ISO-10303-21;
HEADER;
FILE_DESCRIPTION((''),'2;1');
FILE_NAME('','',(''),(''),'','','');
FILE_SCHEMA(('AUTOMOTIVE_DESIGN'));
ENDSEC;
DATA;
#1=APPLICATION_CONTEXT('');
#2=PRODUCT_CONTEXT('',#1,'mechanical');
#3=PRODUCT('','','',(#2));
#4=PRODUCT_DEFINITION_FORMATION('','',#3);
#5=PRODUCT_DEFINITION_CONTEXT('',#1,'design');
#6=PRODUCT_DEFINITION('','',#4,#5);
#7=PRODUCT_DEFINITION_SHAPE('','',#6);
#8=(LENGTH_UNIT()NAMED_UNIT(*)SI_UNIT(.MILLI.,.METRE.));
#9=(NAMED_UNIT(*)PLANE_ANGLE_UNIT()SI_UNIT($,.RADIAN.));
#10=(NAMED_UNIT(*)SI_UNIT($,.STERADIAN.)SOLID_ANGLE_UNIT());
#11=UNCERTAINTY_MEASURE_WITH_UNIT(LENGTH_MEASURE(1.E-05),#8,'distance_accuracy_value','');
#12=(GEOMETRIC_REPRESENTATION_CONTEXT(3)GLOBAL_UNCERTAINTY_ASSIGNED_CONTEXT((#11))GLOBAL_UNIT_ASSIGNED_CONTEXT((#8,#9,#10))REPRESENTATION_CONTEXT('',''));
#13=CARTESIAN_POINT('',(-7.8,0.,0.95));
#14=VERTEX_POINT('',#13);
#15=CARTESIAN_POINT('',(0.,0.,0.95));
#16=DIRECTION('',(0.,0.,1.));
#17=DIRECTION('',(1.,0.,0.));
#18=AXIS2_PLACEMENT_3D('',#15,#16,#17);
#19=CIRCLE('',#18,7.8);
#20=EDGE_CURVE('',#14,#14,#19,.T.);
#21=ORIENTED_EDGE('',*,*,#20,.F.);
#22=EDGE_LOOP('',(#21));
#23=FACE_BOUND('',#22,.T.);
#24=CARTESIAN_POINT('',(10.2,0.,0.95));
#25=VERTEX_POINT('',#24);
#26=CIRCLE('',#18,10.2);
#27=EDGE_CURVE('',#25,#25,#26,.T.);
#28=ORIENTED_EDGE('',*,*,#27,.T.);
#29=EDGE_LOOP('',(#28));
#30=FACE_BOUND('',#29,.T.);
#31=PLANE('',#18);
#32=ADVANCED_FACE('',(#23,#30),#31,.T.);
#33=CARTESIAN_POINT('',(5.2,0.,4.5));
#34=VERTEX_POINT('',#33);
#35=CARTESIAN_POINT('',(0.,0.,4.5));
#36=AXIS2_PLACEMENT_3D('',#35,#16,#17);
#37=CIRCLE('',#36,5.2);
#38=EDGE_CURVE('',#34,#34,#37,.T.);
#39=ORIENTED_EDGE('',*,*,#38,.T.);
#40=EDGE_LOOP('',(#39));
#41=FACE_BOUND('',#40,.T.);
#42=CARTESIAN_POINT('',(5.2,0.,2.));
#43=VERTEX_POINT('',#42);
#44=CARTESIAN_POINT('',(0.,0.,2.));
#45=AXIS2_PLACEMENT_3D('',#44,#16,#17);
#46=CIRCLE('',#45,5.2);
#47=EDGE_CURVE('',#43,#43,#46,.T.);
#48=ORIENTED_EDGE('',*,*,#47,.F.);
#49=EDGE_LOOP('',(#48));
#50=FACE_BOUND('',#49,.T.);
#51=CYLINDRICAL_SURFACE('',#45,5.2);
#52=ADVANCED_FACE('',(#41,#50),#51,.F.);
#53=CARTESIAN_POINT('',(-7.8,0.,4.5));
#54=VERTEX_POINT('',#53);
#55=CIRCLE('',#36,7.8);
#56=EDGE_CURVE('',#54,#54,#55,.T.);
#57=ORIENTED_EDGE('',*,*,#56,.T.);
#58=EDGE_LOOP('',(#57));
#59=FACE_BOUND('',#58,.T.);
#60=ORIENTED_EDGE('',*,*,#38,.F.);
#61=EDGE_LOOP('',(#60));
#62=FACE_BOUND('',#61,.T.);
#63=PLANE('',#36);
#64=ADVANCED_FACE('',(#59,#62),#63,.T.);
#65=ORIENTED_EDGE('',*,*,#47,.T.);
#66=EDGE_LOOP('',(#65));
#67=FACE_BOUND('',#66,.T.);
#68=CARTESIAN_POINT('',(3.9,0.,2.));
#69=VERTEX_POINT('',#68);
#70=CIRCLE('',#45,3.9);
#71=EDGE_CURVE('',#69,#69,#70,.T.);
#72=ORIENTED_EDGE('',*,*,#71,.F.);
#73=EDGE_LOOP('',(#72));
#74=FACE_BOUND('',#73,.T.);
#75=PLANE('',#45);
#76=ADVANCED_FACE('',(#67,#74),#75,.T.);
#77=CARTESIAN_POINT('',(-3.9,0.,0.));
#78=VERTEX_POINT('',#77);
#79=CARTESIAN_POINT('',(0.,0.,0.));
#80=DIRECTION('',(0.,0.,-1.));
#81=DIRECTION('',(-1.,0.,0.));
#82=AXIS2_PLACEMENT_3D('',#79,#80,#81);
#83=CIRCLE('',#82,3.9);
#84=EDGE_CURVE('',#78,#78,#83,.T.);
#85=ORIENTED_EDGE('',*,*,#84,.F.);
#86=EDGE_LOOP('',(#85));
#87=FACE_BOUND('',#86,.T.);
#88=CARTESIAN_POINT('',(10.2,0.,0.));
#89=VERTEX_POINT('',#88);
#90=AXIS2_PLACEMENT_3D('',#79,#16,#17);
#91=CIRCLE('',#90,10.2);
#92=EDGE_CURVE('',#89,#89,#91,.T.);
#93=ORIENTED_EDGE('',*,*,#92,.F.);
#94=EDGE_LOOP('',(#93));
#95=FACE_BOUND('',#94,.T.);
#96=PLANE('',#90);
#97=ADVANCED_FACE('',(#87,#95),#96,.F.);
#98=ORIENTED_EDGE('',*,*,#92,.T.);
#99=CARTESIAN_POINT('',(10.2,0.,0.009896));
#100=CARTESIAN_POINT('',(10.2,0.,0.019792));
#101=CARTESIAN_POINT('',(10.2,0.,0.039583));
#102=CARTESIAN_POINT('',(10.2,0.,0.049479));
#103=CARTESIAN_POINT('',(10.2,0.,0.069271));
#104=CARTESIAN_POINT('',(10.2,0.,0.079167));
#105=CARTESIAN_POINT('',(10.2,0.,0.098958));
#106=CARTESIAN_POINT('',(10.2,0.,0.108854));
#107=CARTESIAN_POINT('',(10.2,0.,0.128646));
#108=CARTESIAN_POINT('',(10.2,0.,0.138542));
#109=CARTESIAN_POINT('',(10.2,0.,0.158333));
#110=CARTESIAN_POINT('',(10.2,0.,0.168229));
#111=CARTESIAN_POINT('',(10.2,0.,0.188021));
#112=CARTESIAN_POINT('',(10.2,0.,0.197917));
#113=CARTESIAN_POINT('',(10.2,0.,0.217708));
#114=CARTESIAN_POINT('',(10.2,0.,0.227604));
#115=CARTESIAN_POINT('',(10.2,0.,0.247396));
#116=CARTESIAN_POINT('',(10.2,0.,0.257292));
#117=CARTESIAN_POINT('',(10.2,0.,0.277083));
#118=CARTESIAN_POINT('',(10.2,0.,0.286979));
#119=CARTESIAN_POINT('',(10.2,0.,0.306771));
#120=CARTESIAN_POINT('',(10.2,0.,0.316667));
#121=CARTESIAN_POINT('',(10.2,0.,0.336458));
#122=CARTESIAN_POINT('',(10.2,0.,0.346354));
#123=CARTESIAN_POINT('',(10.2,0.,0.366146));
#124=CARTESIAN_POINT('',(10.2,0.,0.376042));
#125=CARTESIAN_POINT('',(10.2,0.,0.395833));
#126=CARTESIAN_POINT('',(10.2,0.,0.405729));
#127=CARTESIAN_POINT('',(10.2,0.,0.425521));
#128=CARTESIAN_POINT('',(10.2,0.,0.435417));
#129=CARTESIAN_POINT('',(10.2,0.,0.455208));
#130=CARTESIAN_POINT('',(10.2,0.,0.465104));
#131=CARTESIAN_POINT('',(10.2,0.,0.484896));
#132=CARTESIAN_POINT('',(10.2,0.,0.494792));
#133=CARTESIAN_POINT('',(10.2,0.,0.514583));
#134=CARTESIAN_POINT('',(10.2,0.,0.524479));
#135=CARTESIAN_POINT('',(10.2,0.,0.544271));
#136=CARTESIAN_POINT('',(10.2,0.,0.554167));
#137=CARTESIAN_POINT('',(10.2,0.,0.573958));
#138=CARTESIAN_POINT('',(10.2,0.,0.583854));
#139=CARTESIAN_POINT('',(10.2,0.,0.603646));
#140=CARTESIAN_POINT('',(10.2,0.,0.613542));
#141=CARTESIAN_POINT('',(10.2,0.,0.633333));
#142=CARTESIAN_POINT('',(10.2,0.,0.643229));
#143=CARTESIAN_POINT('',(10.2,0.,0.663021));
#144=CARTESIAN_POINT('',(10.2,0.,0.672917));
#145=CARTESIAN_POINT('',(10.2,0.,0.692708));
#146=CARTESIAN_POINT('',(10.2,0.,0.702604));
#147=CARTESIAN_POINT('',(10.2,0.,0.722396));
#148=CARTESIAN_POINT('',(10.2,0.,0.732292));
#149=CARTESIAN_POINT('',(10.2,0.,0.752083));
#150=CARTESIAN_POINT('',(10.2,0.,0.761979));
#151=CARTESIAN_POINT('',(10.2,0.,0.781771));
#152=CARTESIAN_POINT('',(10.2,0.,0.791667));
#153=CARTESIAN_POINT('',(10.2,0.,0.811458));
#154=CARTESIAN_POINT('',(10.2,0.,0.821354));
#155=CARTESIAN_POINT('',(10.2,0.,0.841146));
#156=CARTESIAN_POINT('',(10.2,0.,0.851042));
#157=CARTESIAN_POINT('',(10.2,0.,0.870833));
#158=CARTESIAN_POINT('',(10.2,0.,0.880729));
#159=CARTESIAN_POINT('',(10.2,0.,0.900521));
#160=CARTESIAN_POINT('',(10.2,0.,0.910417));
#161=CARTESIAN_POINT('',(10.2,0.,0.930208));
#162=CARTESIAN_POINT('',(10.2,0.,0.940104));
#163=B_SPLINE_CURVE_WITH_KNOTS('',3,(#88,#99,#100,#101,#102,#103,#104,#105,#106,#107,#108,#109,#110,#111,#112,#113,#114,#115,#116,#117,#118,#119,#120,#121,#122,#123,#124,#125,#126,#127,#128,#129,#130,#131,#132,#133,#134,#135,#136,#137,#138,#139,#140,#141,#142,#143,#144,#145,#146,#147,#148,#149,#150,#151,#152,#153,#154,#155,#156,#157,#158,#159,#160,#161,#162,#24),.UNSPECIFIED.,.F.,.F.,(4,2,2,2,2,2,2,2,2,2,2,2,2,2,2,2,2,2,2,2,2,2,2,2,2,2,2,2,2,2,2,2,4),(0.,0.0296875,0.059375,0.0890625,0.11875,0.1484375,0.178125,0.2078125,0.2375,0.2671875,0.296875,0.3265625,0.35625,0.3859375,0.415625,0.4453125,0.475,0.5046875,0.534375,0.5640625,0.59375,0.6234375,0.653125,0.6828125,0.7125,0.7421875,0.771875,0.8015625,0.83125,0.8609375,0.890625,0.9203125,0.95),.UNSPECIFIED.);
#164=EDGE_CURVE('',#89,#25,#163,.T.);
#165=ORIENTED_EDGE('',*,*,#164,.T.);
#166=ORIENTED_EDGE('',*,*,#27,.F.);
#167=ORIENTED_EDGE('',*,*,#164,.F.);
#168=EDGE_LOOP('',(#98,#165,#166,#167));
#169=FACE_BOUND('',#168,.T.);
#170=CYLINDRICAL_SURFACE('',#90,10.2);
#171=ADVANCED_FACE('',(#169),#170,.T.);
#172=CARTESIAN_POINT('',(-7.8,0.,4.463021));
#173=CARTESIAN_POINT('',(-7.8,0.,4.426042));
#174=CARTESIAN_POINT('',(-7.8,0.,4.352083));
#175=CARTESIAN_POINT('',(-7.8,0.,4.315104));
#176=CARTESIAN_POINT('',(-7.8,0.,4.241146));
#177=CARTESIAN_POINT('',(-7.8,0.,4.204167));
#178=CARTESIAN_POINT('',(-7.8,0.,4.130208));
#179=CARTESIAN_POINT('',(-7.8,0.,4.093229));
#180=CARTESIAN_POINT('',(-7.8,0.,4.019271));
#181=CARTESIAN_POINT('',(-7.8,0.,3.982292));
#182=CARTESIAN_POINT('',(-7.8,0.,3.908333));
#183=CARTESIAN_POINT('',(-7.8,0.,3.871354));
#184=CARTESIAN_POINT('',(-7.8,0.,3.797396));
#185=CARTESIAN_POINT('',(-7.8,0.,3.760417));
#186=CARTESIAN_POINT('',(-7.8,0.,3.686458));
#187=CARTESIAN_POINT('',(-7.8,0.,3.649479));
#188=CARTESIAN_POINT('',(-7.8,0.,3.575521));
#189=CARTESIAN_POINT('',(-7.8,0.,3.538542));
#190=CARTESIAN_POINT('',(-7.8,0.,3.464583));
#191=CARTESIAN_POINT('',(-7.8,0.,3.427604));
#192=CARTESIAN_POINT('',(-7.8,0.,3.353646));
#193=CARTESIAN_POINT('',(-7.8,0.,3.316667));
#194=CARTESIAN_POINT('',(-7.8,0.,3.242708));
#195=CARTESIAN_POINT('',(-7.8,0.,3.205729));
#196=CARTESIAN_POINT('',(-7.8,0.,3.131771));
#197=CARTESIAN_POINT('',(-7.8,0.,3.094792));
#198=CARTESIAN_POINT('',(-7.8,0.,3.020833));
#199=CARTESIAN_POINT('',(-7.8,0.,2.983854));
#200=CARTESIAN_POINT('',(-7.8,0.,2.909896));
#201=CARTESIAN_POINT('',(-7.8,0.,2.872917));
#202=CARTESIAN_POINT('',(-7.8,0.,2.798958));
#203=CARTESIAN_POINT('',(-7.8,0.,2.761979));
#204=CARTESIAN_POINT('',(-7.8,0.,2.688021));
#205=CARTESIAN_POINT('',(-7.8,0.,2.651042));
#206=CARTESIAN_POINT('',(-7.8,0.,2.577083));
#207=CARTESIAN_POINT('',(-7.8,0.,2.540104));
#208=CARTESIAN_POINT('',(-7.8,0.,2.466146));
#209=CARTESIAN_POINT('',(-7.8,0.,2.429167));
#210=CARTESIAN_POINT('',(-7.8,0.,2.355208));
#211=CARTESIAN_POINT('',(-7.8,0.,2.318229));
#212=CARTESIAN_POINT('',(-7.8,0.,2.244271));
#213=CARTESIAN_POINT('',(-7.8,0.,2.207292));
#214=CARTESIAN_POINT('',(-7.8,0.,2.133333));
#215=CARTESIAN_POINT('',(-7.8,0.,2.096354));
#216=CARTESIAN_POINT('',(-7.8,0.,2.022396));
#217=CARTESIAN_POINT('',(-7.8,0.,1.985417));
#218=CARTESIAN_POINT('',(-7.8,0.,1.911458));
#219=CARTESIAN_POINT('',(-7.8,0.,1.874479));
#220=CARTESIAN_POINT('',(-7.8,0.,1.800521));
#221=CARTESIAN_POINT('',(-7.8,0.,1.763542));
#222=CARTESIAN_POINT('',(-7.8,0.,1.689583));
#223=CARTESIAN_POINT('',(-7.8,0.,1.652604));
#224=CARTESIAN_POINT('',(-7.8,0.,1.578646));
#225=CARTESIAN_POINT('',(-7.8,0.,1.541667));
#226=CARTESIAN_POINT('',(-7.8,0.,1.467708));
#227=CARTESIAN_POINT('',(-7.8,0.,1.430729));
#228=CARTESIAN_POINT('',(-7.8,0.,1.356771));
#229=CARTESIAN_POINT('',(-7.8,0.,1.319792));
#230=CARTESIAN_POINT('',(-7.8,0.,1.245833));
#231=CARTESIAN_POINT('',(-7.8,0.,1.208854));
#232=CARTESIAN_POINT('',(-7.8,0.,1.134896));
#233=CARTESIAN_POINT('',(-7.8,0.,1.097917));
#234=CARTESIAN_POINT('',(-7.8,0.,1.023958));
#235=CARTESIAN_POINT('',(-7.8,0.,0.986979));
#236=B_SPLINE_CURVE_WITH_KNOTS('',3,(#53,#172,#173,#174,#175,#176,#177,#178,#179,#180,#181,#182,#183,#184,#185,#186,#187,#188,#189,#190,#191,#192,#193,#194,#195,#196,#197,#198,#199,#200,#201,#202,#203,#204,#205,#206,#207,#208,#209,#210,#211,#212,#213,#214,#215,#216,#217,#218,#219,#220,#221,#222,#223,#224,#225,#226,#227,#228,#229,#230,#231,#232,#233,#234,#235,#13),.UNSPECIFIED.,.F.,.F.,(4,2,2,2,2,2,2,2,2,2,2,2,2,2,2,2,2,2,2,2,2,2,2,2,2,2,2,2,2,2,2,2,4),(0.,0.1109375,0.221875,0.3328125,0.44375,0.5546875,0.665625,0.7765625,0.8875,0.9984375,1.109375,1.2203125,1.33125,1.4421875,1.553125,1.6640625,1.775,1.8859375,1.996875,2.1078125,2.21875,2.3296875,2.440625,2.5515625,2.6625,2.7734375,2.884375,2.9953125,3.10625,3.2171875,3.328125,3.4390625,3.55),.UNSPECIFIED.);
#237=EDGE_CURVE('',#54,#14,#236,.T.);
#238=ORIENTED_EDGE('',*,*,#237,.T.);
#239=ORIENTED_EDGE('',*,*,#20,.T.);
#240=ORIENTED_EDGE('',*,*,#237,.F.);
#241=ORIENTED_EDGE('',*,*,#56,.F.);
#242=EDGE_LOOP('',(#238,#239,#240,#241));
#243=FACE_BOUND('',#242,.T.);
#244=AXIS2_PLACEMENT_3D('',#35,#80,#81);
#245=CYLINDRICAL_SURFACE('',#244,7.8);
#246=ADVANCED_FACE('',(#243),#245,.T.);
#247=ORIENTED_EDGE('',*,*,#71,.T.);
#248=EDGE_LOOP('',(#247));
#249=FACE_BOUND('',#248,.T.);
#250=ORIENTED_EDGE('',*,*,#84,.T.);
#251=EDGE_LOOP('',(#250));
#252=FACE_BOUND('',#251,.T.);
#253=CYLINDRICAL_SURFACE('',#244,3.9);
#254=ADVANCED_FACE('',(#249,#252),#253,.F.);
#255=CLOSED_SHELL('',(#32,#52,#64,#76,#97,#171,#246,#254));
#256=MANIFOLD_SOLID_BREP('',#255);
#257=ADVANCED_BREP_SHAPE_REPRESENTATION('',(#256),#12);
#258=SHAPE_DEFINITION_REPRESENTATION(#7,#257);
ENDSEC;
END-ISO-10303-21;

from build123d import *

# Parameters (mm, degrees)
SKETCH1_R           = 10.2
BOSS_EXTRUDE1_DEPTH = 0.95
SKETCH2_R           = 7.8
BOSS_EXTRUDE2_DEPTH = 3.55
SKETCH3_R           = 5.2
CUT_EXTRUDE1_DEPTH  = 2.5
SKETCH4_R           = 3.9
CUT_EXTRUDE2_DEPTH  = 16.110592311


with BuildPart() as part:
    # Sketch1 → Boss-Extrude1 (new body)
    with BuildSketch(Plane.XY.offset(0.95)):
        Circle(SKETCH1_R)
    extrude(amount=-BOSS_EXTRUDE1_DEPTH)

    # Sketch2 → Boss-Extrude2 (add)
    with BuildSketch(Plane.XY.offset(0.95)):
        with Locations(Location((0, 0, 0), (0, 0, 180))):
            Circle(SKETCH2_R)
    extrude(amount=BOSS_EXTRUDE2_DEPTH)

    # Sketch3 → Cut-Extrude1 (cut)
    with BuildSketch(Plane.XY.offset(4.5)):
        Circle(SKETCH3_R)
    extrude(amount=-CUT_EXTRUDE1_DEPTH, mode=Mode.SUBTRACT)

    # Sketch4 → Cut-Extrude2 (cut, through all)
    with BuildSketch(Plane(origin=(0, 0, 0), x_dir=(-1, 0, 0), z_dir=(0, 0, -1))):
        Circle(SKETCH4_R)
    extrude(amount=-CUT_EXTRUDE2_DEPTH, mode=Mode.SUBTRACT)


solid = part.part
